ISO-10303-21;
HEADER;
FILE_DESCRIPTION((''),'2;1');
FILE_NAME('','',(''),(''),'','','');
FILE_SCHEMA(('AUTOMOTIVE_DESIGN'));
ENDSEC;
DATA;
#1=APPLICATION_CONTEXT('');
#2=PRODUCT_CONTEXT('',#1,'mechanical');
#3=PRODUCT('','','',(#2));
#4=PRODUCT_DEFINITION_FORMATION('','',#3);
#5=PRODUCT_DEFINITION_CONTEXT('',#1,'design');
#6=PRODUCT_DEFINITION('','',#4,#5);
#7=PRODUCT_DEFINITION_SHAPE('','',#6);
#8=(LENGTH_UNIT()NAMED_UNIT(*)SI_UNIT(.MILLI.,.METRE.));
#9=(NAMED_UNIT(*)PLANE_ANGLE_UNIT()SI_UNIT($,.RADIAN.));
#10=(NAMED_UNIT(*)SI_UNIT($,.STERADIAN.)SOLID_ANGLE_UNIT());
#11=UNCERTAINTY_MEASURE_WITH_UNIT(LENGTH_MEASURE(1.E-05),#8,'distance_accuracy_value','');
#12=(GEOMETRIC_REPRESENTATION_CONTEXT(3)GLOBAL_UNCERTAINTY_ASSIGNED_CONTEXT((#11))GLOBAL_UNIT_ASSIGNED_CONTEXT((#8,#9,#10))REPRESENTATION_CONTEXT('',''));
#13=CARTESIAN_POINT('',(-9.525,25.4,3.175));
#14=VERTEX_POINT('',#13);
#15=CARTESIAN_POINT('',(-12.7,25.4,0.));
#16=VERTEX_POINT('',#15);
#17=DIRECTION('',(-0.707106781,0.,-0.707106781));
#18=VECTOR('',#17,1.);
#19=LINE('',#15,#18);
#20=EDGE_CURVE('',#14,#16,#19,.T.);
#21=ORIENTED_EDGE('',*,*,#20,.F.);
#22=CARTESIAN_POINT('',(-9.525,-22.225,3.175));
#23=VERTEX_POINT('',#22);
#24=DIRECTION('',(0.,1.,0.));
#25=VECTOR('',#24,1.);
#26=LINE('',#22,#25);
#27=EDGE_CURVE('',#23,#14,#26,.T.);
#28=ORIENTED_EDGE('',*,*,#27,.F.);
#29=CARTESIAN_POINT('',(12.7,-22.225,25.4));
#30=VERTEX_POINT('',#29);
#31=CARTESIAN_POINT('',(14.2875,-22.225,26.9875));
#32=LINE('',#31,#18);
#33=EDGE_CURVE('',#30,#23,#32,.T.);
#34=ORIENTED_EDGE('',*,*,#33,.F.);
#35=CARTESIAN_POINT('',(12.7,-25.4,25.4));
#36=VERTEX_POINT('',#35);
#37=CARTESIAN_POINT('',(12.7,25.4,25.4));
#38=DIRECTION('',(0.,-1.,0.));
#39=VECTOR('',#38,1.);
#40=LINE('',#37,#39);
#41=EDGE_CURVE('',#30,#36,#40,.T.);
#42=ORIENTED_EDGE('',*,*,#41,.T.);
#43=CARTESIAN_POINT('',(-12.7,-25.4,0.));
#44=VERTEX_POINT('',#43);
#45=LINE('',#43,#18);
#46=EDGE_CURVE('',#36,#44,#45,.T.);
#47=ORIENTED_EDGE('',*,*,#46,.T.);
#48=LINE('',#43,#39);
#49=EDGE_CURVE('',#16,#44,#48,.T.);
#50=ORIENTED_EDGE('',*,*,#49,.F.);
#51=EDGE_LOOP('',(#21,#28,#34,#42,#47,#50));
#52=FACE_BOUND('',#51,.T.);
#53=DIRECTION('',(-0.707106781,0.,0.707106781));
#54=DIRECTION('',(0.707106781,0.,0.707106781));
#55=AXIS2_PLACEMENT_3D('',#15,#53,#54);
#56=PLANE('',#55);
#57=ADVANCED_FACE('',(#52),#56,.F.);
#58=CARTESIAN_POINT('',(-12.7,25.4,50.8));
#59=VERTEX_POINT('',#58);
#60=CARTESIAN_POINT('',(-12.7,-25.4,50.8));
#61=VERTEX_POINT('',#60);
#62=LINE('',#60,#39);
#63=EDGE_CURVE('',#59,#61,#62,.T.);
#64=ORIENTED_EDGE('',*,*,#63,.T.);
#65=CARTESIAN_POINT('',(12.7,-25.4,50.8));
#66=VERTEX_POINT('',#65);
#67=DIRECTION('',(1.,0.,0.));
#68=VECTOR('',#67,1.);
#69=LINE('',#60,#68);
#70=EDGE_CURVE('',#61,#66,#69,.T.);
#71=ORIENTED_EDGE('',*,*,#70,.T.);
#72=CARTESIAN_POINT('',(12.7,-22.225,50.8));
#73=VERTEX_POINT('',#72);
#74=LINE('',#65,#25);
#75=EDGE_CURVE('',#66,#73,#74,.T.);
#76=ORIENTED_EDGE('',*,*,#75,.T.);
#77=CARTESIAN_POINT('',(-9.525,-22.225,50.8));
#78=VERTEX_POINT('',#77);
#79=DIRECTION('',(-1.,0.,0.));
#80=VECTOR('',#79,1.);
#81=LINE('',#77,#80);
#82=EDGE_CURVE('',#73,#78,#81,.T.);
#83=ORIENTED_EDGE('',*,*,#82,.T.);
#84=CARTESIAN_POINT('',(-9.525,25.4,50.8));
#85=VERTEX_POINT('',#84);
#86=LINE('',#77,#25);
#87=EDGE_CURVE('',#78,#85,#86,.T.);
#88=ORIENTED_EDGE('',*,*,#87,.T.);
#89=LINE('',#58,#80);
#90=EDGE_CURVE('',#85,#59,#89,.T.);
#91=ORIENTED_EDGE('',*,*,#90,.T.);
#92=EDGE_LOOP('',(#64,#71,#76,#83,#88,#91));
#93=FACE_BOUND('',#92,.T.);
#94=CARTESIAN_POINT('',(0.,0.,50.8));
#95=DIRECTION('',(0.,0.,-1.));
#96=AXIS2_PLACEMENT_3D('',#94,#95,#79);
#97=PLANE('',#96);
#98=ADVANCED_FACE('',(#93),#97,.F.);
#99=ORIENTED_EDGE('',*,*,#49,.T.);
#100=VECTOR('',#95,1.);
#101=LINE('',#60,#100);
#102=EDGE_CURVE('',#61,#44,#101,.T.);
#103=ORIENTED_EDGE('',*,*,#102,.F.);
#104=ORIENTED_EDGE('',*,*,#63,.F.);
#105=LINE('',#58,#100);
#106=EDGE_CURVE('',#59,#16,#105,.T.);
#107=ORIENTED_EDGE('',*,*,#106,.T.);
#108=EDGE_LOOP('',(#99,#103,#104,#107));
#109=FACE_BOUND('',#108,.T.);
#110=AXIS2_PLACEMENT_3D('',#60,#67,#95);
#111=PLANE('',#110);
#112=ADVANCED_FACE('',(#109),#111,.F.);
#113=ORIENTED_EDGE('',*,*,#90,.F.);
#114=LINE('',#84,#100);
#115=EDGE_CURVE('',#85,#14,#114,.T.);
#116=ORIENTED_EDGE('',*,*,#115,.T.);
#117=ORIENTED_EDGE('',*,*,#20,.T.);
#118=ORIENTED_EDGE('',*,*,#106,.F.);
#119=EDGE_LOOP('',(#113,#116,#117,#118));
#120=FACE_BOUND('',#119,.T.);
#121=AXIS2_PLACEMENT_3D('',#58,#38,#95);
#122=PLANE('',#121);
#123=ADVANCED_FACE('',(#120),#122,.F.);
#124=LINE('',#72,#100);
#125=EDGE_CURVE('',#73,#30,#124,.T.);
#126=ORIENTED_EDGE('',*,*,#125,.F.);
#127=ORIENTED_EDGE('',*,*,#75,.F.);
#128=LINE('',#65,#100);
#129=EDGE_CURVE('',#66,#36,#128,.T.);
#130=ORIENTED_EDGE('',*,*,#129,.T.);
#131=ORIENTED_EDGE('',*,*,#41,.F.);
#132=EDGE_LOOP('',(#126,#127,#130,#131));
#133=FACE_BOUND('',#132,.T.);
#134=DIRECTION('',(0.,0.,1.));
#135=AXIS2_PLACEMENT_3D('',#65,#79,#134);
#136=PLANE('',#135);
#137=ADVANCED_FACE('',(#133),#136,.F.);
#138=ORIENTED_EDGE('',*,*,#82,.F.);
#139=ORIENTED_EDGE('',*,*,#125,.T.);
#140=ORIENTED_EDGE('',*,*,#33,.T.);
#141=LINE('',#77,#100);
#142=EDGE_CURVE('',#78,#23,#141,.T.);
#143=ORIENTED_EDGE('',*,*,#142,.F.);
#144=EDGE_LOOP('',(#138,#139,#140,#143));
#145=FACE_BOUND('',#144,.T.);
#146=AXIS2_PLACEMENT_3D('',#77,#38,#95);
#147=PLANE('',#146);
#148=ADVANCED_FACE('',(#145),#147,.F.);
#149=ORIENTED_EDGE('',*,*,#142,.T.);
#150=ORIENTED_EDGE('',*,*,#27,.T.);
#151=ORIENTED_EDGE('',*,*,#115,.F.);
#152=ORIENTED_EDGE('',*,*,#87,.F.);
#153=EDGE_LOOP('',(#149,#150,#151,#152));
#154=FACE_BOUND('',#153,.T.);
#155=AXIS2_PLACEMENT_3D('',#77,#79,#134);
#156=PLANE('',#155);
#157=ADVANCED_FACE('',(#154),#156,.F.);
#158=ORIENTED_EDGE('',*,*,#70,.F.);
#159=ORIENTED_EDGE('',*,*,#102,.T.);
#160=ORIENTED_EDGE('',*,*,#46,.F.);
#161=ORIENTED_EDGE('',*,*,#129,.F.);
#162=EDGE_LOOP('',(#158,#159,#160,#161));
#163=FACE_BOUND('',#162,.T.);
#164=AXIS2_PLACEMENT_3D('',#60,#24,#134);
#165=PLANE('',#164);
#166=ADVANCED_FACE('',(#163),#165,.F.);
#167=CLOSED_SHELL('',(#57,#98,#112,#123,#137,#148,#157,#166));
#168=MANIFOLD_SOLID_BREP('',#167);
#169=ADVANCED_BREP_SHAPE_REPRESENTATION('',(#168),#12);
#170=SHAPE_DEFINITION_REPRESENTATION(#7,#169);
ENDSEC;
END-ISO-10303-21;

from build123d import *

# Parameters (mm, degrees)
BOSS_EXTRUDE1_DEPTH = 50.8
CUT_EXTRUDE4_DEPTH  = 73.955945611


with BuildPart() as part:
    # Sketch1 → Boss-Extrude1 (new body)
    with BuildSketch(Plane.XY):
        Polygon((-9.525, -22.225), (12.7, -22.225), (12.7, -25.4), (-12.7, -25.4), (-12.7, 25.4), (-9.525, 25.4), align=None)
    extrude(amount=BOSS_EXTRUDE1_DEPTH)

    # Sketch6 → Cut-Extrude4 (cut, through all)
    with BuildSketch(Plane.XZ.offset(25.4)):
        Polygon((-12.7, 0), (12.7, 25.4), (12.7, 0), align=None)
    extrude(amount=-CUT_EXTRUDE4_DEPTH, mode=Mode.SUBTRACT)


solid = part.part
